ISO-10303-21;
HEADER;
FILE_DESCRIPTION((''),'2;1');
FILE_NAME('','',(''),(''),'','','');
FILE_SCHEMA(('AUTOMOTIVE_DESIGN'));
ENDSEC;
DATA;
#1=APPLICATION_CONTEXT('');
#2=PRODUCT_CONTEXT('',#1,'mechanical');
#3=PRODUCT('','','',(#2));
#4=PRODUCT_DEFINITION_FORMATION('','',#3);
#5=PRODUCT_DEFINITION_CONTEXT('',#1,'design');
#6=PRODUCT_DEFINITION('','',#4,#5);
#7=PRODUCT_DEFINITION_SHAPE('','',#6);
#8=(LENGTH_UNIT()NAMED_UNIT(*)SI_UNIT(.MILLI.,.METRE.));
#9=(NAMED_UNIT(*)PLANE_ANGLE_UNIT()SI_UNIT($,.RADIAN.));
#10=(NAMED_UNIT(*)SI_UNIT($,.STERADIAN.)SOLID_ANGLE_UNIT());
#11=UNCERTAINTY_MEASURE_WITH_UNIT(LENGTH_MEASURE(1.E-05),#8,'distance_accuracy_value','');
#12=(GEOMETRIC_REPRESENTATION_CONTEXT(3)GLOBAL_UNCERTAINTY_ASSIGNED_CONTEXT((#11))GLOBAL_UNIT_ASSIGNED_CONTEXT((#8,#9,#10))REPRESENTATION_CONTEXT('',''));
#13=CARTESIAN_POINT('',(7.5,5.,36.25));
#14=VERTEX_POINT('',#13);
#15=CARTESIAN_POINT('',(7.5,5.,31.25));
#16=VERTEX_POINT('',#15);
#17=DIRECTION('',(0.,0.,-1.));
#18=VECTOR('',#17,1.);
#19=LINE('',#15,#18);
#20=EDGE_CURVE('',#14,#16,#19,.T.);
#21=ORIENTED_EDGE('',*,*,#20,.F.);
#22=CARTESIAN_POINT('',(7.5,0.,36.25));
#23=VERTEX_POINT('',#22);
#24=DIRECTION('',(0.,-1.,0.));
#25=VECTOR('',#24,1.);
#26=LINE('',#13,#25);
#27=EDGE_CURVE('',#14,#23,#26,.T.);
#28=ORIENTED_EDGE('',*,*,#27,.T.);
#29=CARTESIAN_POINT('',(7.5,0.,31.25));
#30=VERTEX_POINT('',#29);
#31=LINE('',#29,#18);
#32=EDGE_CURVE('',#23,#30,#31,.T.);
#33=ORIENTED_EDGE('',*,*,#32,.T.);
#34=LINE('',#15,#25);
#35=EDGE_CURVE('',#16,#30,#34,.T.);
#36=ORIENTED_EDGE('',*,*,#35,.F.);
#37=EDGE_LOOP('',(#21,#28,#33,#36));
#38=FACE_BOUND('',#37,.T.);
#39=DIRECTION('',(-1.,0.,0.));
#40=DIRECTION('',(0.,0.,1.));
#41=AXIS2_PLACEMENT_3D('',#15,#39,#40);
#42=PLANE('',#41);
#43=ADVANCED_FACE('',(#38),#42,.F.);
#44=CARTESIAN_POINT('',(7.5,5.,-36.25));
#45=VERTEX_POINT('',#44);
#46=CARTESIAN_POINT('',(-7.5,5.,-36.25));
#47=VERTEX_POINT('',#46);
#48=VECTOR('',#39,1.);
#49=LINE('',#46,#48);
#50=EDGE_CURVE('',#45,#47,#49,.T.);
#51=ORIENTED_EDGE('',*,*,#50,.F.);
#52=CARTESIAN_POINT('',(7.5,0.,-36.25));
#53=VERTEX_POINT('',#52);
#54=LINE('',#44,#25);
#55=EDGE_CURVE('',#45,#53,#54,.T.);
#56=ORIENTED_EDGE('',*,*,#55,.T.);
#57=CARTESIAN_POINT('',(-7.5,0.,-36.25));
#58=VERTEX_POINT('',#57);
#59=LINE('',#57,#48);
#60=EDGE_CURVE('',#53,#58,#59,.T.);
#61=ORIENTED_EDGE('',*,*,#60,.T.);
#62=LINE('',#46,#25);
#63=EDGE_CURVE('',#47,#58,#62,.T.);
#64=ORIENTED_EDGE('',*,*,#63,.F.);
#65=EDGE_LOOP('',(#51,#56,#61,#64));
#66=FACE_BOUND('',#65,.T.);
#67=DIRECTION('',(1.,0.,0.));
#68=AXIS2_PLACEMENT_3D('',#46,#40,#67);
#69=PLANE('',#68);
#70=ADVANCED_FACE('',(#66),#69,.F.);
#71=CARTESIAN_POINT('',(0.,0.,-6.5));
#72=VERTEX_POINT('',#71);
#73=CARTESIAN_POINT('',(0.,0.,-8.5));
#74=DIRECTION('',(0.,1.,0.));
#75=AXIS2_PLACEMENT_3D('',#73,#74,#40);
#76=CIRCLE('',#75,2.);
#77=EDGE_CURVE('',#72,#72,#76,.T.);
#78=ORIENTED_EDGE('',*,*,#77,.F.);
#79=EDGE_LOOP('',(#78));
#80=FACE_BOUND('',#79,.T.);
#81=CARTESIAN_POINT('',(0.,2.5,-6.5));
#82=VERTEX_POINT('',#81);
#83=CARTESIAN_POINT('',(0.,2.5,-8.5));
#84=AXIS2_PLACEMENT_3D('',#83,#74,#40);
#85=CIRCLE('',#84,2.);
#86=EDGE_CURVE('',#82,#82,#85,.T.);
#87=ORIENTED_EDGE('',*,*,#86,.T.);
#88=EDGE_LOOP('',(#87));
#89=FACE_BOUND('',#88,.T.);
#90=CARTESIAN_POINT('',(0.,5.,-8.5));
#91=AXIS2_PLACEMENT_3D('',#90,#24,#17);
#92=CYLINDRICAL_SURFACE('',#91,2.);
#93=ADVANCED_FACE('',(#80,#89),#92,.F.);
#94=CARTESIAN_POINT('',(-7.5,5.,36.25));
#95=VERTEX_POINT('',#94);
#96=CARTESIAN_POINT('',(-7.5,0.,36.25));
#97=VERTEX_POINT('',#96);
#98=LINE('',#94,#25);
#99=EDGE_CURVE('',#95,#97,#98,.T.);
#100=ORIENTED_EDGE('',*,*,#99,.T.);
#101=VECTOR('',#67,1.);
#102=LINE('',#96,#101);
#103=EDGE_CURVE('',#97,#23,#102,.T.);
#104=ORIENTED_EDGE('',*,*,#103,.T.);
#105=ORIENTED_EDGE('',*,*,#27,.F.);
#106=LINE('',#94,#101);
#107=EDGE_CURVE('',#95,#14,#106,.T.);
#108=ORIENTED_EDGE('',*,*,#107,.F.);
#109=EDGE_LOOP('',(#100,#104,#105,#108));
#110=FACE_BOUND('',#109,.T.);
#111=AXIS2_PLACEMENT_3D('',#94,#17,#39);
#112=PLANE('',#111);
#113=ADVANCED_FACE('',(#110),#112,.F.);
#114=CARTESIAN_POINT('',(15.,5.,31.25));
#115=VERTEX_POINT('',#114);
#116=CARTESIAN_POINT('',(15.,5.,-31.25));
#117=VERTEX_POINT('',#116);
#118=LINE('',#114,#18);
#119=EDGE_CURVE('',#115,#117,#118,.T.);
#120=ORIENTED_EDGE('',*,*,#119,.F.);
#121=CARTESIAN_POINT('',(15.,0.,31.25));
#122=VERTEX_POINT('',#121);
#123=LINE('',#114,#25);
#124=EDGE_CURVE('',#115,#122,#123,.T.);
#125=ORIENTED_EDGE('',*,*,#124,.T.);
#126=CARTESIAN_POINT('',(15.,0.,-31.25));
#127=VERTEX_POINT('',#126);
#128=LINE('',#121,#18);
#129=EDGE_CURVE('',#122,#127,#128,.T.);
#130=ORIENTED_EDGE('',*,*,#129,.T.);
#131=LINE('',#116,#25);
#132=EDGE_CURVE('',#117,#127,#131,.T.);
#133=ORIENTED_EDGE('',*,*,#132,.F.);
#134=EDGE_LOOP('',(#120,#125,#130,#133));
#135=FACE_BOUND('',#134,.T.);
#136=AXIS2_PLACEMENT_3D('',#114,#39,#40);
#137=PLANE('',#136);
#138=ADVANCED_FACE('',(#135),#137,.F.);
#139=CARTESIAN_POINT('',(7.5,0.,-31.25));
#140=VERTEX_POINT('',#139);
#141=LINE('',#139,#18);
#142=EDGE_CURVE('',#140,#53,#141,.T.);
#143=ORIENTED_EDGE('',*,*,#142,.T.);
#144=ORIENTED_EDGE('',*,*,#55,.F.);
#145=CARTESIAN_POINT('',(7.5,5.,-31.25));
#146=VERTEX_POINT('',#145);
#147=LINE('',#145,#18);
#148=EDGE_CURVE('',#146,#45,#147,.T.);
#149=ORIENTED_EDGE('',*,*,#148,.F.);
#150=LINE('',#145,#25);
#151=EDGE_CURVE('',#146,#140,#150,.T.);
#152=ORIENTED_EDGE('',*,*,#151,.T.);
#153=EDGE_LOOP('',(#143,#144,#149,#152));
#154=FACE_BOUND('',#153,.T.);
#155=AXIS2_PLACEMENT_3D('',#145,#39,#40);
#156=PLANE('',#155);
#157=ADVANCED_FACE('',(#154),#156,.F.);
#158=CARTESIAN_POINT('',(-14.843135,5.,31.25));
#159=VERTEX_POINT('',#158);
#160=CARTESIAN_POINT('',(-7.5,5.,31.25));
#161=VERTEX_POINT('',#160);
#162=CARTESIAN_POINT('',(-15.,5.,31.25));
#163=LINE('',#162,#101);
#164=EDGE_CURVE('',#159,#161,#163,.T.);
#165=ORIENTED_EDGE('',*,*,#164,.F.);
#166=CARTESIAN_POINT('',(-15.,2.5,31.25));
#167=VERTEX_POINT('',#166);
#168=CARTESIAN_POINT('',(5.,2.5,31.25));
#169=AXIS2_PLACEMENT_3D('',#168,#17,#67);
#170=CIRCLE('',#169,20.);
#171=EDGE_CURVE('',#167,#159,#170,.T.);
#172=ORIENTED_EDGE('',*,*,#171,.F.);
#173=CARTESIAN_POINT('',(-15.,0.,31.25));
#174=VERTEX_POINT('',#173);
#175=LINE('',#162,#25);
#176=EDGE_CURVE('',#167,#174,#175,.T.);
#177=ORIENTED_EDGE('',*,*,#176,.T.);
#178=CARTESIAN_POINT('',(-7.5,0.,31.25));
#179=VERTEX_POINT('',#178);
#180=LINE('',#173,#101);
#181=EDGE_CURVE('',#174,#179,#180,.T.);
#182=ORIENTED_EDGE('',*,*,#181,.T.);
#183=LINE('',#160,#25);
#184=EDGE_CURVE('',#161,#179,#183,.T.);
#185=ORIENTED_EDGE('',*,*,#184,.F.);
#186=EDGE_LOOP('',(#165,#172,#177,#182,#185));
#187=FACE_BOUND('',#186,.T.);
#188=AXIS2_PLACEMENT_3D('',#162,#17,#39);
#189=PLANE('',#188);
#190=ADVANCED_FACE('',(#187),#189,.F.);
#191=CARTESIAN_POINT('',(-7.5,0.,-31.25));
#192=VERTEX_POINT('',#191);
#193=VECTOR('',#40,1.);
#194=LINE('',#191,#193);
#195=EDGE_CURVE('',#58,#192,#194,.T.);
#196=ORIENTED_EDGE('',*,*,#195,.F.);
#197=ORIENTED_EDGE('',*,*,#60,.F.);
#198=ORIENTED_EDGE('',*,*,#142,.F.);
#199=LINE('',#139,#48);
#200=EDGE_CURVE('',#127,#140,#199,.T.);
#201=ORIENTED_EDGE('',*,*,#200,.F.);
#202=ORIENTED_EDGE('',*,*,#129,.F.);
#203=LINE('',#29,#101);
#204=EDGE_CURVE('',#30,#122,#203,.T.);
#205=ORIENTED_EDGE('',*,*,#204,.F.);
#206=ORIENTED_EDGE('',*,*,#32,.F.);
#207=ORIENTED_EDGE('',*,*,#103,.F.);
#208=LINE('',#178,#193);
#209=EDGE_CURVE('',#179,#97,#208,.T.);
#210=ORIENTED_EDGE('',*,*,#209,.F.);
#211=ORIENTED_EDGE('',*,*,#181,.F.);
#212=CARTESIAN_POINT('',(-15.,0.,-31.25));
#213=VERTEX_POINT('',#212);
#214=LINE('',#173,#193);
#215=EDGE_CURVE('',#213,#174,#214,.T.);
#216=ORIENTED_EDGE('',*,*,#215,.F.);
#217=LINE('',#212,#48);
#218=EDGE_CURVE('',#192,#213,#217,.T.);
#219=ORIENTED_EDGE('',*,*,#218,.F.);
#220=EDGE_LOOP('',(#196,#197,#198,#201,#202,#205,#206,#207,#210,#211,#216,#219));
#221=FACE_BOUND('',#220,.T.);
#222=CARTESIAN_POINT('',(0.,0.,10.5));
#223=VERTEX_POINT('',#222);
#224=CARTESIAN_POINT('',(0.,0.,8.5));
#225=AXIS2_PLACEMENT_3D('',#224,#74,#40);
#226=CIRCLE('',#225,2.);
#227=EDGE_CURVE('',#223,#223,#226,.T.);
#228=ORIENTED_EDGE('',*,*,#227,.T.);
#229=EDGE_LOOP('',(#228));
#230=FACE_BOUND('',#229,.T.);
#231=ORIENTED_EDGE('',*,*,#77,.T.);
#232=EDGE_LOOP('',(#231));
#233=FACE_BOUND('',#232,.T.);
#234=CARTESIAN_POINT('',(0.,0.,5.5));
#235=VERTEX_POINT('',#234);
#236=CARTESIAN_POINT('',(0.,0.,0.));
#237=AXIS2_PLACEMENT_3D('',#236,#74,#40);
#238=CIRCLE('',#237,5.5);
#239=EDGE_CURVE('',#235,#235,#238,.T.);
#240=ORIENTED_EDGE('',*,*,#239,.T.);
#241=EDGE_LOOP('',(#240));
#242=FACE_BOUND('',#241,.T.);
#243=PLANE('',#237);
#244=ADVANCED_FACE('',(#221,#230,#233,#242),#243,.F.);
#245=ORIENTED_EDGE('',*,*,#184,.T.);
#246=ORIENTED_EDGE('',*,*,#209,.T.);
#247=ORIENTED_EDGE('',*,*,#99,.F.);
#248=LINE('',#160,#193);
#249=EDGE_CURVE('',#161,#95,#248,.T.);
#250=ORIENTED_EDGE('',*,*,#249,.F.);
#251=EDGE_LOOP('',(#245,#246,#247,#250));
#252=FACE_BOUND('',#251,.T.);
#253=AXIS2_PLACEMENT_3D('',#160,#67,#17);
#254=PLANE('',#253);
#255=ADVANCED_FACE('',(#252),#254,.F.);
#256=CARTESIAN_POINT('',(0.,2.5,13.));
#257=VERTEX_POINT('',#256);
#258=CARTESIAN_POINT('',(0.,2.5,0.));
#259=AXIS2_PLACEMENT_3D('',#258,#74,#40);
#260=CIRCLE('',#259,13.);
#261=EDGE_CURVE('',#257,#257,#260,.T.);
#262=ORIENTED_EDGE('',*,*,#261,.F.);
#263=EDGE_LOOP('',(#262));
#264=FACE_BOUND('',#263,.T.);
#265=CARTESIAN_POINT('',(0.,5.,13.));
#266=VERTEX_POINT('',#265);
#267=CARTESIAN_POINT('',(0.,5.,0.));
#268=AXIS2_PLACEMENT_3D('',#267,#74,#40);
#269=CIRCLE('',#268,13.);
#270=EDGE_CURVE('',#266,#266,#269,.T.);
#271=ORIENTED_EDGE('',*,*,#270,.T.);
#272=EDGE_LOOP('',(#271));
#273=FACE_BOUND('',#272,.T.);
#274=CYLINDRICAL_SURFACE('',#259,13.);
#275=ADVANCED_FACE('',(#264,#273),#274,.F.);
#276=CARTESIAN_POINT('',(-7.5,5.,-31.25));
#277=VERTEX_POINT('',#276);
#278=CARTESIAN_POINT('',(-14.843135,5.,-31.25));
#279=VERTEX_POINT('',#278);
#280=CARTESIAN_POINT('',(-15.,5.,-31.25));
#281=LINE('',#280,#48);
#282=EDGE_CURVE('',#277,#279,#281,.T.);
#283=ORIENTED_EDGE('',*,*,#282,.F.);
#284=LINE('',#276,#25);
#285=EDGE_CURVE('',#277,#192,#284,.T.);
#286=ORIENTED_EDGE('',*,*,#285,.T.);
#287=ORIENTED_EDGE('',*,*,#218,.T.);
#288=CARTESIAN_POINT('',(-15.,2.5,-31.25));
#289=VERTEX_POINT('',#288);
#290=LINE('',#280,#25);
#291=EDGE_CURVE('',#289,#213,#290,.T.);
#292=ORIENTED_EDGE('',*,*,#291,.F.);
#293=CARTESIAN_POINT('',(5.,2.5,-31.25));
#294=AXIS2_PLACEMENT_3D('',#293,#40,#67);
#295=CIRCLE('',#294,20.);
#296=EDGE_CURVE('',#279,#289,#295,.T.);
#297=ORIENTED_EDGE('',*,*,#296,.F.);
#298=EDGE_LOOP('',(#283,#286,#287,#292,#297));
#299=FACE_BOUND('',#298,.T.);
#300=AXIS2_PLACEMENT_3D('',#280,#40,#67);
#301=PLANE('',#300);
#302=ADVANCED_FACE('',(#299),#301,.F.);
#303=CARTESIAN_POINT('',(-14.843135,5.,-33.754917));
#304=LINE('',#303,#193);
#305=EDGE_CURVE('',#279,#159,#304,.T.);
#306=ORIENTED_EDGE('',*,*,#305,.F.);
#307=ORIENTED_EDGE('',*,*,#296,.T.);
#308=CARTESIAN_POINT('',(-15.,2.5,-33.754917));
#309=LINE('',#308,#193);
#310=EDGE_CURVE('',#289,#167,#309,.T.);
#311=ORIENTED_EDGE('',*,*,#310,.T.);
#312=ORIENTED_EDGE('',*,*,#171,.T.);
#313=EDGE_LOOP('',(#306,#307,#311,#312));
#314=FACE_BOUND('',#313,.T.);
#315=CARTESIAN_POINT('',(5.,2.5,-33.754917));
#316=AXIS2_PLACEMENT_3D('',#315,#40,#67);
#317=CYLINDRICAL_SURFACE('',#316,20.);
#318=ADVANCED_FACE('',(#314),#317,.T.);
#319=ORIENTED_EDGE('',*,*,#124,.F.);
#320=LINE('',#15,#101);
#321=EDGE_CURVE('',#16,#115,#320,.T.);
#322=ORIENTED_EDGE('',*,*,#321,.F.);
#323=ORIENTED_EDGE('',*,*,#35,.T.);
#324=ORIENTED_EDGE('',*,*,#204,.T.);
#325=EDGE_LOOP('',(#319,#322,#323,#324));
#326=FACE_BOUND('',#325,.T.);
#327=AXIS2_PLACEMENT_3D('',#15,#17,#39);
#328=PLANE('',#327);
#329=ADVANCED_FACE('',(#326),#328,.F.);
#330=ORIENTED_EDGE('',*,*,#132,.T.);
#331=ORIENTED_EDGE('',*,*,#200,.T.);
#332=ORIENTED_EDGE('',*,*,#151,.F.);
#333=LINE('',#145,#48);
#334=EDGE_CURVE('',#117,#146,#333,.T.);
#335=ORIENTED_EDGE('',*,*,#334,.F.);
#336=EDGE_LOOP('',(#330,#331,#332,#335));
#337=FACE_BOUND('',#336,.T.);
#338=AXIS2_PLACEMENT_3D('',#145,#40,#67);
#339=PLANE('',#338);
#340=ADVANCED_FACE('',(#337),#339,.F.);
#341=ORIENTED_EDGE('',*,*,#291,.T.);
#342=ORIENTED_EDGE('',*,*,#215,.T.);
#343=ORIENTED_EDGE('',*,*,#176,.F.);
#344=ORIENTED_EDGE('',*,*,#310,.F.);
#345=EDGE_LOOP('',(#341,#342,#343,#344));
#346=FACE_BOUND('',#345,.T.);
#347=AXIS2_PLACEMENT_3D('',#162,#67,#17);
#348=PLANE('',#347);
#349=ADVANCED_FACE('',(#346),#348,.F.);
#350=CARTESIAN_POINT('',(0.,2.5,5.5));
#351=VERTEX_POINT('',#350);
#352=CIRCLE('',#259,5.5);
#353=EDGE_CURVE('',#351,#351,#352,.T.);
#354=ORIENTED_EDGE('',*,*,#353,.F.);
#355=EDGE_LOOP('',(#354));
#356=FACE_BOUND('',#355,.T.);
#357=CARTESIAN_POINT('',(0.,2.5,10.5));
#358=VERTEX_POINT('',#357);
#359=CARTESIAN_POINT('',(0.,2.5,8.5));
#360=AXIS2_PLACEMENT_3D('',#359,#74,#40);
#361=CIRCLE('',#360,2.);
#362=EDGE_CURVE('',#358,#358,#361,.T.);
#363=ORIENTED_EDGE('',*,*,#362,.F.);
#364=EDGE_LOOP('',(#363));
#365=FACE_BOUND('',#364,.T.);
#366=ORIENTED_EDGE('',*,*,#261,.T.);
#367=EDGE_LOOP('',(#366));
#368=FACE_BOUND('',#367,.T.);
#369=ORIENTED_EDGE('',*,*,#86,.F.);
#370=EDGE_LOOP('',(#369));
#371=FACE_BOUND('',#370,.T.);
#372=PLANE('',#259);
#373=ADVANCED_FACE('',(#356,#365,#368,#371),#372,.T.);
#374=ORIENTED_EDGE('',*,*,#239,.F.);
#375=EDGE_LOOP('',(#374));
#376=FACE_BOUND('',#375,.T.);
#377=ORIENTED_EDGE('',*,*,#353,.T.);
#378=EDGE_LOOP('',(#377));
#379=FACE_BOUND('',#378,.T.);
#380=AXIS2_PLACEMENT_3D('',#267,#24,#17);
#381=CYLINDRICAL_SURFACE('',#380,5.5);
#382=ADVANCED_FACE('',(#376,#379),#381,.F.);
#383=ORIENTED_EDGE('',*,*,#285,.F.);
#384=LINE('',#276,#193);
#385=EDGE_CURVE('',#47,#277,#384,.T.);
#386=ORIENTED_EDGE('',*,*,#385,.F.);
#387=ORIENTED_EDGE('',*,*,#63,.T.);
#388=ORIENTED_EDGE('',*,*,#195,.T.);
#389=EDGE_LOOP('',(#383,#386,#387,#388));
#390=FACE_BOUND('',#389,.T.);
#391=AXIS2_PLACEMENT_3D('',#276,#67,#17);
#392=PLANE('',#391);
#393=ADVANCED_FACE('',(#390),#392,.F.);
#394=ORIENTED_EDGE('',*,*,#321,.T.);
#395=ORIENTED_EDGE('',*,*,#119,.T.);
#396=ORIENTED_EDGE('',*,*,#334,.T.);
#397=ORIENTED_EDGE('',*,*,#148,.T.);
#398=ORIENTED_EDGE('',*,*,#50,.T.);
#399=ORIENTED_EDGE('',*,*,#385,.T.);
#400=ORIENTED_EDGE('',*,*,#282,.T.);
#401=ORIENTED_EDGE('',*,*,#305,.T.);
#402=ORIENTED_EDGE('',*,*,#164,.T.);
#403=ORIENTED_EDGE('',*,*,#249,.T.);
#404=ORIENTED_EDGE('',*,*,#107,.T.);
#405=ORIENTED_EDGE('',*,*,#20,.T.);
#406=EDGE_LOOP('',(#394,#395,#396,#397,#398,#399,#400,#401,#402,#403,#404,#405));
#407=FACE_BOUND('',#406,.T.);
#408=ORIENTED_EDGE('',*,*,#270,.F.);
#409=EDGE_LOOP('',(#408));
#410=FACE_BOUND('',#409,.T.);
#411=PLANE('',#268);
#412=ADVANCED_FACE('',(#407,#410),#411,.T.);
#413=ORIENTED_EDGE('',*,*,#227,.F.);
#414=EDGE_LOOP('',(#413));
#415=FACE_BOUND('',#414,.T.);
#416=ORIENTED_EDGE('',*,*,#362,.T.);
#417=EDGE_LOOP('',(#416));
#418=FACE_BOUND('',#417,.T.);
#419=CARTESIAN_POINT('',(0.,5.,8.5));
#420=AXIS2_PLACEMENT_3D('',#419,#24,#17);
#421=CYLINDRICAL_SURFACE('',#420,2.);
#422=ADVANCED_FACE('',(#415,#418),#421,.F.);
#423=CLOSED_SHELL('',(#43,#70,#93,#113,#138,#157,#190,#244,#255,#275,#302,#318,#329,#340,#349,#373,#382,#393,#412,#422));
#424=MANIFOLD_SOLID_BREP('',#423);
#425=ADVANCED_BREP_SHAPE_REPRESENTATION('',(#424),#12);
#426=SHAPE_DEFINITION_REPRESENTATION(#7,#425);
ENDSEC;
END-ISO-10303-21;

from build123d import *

# Parameters (mm, degrees)
SKETCH1_R           = 5.5
SKETCH1_R_2         = 2
BOSS_EXTRUDE1_DEPTH = 5
SKETCH2_R           = 13
CUT_EXTRUDE1_DEPTH  = 2.5
CUT_EXTRUDE2_DEPTH  = 62.5


with BuildPart() as part:
    # Sketch1 → Boss-Extrude1 (new body)
    with BuildSketch(Plane(origin=(0, 0, 0), x_dir=(1, 0, 0), z_dir=(0, 1, 0))):
        Polygon((7.5, -31.25), (15, -31.25), (15, 31.25), (7.5, 31.25), (7.5, 36.25), (-7.5, 36.25), (-7.5, 31.25), (-15, 31.25), (-15, -31.25), (-7.5, -31.25), (-7.5, -36.25), (7.5, -36.25), align=None)
        with Locations(Location((0, 0, 0), (0, 0, 270))):
            Circle(SKETCH1_R, mode=Mode.SUBTRACT)
        with Locations(Location((0, 8.5, 0), (0, 0, 270))):
            Circle(SKETCH1_R_2, mode=Mode.SUBTRACT)
        with Locations(Location((0, -8.5, 0), (0, 0, 270))):
            Circle(SKETCH1_R_2, mode=Mode.SUBTRACT)
    extrude(amount=BOSS_EXTRUDE1_DEPTH)

    # Sketch2 → Cut-Extrude1 (cut)
    with BuildSketch(Plane(origin=(0, 5, 0), x_dir=(1, 0, 0), z_dir=(0, 1, 0))):
        with Locations(Location((0, 0, 0), (0, 0, 270))):
            Circle(SKETCH2_R)
    extrude(amount=-CUT_EXTRUDE1_DEPTH, mode=Mode.SUBTRACT)

    # Sketch3 → Cut-Extrude2 (cut)
    with BuildSketch(Plane.XY.offset(31.25)):
        with BuildLine():
            Line((-15, 5), (-15, 2.5))
            ThreePointArc((-15, 2.5), (-14.960745185, 3.752458251), (-14.843134833, 5))
            Line((-14.843134833, 5), (-15, 5))
        make_face()
    extrude(amount=-CUT_EXTRUDE2_DEPTH, mode=Mode.SUBTRACT)


solid = part.part
